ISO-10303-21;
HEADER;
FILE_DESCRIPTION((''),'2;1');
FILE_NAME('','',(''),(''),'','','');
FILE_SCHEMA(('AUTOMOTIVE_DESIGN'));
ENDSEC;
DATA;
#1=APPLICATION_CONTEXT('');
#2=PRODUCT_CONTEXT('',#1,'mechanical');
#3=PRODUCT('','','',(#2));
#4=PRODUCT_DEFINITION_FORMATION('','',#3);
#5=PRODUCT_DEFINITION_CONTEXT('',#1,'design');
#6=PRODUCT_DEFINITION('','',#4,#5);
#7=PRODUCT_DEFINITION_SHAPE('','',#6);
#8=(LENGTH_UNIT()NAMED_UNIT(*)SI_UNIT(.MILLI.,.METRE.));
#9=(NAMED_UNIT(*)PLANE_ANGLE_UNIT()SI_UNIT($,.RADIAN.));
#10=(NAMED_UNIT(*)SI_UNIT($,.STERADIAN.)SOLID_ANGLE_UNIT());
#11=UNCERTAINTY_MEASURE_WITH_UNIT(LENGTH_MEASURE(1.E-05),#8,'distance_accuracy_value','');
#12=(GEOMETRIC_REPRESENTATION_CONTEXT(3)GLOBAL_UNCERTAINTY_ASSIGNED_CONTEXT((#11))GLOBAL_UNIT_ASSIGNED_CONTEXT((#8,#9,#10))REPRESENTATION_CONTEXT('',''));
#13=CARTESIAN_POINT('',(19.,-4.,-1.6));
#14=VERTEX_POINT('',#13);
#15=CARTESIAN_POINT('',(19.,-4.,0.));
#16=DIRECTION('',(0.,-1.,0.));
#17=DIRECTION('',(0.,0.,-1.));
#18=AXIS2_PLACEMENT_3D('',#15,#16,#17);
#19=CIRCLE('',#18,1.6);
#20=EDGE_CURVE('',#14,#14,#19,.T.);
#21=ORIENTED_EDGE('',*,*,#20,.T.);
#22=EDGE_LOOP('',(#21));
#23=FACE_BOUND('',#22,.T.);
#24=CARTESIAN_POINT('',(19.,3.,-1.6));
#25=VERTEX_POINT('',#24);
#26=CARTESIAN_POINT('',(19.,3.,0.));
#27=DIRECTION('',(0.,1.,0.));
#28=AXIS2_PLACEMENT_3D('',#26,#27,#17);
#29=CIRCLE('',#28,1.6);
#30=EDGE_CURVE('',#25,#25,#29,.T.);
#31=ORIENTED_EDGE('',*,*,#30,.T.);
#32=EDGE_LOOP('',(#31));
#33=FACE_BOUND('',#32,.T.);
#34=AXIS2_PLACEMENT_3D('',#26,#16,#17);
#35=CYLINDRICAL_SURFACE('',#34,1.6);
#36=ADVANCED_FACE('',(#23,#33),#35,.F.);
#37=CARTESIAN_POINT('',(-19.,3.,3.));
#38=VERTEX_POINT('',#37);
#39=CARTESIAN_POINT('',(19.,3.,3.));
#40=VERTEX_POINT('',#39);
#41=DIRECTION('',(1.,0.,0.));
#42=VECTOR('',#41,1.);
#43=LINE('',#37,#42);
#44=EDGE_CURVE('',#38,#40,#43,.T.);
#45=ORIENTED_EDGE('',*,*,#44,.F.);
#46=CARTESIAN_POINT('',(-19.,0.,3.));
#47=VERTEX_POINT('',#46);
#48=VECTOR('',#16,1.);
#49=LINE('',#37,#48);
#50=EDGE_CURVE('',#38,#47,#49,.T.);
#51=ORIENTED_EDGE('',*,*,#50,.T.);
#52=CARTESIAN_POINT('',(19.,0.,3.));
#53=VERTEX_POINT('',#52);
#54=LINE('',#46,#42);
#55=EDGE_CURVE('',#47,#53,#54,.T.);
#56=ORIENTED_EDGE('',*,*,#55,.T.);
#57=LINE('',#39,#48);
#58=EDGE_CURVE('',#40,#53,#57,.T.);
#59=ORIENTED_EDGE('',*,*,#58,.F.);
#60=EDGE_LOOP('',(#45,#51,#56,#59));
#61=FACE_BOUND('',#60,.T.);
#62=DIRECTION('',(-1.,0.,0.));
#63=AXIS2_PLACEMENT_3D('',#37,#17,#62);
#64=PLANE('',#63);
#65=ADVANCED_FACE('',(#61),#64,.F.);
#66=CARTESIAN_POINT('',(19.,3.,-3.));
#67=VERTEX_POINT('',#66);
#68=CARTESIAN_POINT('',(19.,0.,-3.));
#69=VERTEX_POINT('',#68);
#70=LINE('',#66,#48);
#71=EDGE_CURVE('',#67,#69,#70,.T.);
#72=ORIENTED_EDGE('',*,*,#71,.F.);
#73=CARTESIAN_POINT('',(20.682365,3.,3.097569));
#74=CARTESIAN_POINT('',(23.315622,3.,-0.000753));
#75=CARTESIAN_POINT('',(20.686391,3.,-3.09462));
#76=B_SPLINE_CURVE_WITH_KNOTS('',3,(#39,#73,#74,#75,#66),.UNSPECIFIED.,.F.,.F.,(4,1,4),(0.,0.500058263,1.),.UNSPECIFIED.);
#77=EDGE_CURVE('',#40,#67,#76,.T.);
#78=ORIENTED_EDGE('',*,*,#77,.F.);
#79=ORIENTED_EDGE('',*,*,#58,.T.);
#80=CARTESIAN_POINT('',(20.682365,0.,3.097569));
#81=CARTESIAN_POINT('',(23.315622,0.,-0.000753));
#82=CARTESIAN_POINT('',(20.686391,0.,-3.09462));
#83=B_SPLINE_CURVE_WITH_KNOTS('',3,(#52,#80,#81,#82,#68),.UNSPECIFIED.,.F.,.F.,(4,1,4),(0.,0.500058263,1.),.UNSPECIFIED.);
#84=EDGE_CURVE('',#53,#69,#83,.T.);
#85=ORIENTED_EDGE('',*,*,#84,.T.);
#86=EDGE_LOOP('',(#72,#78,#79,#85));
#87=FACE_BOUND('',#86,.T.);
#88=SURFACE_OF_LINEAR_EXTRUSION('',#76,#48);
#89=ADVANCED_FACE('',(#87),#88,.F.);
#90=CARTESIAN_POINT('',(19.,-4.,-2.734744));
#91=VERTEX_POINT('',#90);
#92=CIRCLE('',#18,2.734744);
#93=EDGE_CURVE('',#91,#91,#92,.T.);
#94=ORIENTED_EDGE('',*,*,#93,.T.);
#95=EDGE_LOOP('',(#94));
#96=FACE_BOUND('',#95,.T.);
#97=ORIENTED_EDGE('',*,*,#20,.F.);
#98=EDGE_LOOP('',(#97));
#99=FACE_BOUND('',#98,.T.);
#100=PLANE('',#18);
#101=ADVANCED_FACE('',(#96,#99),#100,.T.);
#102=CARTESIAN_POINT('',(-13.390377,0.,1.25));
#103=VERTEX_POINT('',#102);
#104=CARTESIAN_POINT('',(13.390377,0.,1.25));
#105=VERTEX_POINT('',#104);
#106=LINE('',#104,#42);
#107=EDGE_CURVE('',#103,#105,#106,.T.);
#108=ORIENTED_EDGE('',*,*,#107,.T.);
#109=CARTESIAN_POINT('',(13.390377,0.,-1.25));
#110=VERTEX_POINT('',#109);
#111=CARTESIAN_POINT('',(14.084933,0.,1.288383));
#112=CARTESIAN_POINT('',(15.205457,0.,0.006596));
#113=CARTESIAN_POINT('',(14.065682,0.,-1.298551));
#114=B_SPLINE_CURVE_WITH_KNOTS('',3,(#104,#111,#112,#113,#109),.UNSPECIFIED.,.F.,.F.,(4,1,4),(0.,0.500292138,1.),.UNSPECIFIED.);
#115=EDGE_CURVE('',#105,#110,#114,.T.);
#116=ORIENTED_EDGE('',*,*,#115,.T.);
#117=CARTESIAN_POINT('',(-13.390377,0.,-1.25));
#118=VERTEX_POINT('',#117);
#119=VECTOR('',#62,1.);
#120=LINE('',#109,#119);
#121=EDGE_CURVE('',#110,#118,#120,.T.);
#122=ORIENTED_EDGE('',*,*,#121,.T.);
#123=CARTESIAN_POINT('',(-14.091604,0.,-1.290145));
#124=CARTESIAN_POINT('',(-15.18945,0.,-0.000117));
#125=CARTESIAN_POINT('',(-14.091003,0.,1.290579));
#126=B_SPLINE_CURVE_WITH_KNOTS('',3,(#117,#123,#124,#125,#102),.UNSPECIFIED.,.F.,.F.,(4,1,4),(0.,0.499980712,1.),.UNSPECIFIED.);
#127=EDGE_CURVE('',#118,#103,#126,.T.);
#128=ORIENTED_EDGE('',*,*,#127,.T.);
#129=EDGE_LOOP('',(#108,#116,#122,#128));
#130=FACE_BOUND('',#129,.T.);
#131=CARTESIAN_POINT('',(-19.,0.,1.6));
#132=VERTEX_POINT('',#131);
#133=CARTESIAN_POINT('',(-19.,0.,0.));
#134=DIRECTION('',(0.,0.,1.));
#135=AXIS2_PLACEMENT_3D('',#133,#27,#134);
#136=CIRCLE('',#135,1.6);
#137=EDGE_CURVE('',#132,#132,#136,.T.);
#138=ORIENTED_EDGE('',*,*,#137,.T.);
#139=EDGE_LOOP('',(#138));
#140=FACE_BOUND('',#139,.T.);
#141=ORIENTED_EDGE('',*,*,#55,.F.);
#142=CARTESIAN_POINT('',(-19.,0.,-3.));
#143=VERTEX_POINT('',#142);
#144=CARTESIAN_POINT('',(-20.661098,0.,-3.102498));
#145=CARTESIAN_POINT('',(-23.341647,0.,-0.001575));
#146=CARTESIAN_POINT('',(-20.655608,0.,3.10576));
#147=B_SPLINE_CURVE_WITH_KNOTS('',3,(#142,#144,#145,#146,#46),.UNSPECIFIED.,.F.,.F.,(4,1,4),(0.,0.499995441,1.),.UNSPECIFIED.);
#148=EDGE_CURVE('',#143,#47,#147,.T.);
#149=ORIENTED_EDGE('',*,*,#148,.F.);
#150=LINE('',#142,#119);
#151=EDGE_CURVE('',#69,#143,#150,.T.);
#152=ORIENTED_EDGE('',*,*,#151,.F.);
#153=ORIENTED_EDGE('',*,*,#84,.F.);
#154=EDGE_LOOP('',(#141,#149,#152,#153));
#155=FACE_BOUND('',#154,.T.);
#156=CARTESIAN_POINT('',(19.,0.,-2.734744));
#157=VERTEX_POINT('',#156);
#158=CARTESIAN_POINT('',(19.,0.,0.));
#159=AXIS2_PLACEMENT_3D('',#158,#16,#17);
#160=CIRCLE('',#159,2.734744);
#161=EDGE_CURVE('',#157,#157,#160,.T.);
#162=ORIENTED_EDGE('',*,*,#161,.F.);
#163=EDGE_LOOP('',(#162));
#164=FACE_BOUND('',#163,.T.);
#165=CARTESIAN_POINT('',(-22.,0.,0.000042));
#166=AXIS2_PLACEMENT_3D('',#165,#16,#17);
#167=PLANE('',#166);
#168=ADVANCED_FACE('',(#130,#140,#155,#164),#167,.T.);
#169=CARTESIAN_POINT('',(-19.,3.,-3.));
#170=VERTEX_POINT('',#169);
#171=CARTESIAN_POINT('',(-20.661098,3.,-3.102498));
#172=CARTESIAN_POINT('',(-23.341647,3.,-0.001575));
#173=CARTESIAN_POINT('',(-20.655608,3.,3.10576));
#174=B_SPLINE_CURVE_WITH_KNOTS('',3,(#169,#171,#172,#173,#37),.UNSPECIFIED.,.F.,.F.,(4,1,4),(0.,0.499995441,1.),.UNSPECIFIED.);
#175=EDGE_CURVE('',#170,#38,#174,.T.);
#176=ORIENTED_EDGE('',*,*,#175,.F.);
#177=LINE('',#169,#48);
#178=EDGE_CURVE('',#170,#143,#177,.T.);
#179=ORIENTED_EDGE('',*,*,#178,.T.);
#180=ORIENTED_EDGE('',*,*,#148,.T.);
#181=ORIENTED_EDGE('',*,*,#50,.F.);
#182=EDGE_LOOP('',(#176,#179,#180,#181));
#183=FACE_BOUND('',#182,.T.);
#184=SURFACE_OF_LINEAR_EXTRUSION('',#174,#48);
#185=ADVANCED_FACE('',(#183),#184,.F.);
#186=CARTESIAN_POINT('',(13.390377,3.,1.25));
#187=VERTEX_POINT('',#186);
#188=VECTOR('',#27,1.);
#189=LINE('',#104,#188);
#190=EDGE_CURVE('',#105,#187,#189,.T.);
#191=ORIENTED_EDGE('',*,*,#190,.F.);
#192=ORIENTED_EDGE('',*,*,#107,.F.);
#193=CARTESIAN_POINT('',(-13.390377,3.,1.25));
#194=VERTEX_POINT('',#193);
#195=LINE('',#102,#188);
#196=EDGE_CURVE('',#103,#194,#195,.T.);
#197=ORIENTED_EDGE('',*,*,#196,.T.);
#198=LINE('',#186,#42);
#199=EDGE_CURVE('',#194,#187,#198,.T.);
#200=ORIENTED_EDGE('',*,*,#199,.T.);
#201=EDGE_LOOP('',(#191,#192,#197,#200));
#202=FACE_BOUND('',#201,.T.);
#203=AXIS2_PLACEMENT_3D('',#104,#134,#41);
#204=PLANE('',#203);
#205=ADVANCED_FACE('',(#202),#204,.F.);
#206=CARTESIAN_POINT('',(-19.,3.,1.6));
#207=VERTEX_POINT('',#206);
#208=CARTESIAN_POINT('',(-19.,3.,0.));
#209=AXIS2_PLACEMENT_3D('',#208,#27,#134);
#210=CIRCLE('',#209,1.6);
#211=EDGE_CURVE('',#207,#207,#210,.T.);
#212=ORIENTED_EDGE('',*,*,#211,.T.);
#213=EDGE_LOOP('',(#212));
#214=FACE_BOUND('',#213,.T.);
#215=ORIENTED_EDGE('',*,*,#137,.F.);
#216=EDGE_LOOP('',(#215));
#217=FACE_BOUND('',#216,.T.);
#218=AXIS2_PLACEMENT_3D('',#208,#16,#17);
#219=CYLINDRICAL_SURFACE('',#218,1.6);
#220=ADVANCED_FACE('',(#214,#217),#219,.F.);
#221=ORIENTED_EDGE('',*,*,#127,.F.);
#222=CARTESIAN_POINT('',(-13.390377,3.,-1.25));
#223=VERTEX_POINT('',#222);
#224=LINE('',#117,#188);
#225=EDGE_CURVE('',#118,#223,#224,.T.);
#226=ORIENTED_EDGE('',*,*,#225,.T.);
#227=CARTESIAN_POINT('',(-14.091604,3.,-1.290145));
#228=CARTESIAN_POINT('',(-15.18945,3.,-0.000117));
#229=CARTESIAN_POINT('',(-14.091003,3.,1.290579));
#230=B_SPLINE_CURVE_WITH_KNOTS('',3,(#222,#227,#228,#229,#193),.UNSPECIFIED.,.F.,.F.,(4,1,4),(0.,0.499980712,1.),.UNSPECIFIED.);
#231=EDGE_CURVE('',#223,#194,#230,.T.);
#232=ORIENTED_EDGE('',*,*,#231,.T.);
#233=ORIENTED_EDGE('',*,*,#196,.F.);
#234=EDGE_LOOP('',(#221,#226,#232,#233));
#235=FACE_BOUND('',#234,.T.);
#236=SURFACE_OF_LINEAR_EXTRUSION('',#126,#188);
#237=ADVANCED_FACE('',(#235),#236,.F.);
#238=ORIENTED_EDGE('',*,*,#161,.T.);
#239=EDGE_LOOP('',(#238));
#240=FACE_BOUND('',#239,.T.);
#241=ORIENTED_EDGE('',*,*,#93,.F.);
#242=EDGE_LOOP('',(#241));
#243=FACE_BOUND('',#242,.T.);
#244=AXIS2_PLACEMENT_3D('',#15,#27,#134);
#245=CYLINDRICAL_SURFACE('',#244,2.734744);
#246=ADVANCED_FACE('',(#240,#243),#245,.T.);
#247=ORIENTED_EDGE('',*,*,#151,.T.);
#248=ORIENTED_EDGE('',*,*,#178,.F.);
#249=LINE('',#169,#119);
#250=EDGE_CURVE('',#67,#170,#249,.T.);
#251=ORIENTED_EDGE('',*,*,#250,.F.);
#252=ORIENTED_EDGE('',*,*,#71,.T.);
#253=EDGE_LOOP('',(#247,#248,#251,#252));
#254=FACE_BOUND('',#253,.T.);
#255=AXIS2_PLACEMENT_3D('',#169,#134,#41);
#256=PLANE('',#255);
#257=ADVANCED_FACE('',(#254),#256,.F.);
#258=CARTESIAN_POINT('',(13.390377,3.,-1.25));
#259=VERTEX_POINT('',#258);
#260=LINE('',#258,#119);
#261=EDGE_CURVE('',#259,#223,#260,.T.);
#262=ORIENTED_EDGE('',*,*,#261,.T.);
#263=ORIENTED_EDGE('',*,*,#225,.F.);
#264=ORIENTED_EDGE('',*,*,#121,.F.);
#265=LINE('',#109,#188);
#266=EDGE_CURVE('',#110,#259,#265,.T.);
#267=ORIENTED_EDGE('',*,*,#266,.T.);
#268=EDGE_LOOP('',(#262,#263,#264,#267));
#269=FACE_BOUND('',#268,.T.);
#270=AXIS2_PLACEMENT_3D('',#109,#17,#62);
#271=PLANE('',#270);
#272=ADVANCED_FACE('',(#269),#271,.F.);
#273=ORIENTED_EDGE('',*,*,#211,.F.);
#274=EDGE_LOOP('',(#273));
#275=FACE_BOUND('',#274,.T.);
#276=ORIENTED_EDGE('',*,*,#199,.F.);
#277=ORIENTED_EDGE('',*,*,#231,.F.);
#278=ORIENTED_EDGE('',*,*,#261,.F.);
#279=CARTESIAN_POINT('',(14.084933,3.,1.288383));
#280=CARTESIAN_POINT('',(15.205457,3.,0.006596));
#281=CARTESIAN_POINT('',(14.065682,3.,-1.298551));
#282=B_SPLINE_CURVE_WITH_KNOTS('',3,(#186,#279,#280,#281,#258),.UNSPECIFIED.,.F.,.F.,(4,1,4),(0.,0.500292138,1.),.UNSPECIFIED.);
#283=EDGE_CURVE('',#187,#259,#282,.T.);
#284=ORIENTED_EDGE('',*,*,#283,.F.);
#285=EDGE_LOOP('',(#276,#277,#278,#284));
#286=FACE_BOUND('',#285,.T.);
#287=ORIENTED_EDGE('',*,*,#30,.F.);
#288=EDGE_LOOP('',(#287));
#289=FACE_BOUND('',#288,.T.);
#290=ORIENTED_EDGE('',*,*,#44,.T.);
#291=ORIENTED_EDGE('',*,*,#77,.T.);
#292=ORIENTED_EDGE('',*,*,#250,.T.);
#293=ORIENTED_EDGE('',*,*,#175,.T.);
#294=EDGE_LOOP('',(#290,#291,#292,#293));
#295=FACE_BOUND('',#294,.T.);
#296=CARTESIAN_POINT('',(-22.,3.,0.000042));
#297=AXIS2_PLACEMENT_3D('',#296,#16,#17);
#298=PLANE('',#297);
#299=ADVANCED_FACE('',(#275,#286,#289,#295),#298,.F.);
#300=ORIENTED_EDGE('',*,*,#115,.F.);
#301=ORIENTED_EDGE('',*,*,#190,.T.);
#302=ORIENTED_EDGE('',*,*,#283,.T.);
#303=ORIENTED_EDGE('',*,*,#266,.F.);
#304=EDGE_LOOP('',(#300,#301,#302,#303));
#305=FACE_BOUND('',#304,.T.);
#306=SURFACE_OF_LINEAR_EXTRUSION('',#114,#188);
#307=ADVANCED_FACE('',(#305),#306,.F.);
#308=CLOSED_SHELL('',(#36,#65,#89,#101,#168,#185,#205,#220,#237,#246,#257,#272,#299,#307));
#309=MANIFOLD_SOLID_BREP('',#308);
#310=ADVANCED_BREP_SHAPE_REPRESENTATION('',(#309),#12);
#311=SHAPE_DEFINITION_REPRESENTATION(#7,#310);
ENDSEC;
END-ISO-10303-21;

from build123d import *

# Parameters (mm, degrees)
ESQUISSE1_R             = 1.6
BOSS_EXTRU_1_DEPTH      = 3
BOSS_EXTRU_2_START      = 4
ESQUISSE2_R             = 2.734743529
ESQUISSE2_R_2           = 1.6
BOSS_EXTRU_2_DEPTH      = 4
ENL_V_MAT_EXTRU_1_DEPTH = 3


with BuildPart() as part:
    # Esquisse1 → Boss.-Extru.1 (new body)
    with BuildSketch(Plane(origin=(0, 0, 0), x_dir=(1, 0, 0), z_dir=(0, 1, 0))):
        with BuildLine():
            Line((-19, 3), (19, 3))
            add(Edge.make_bspline(
                [(19, 3), (20.68639149, 3.094620003), (23.315621509, 0.000753175), (20.682364624, -3.097569459), (19, -3)],
                knots=[0, 0, 0, 0, 0.499941737, 1, 1, 1, 1], degree=3))
            Line((19, -3), (-19, -3))
            add(Edge.make_bspline(
                [(-19, 3), (-20.661097815, 3.102497637), (-23.341647105, 0.00157467), (-20.655607875, -3.105760191), (-19, -3)],
                knots=[0, 0, 0, 0, 0.499995441, 1, 1, 1, 1], degree=3))
        make_face()
        with Locations(Location((-19, 0, 0), (0, 0, 270))):
            Circle(ESQUISSE1_R, mode=Mode.SUBTRACT)
        with Locations(Location((19, 0, 0), (0, 0, 90))):
            Circle(ESQUISSE1_R, mode=Mode.SUBTRACT)
    extrude(amount=BOSS_EXTRU_1_DEPTH)

    # Esquisse2 → Boss.-Extru.2 (add)
    with BuildSketch(Plane.XZ.offset(BOSS_EXTRU_2_START)):
        with Locations(Location((19, 0, 0), (0, 0, 270))):
            Circle(ESQUISSE2_R)
        with Locations(Location((19, 0, 0), (0, 0, 270))):
            Circle(ESQUISSE2_R_2, mode=Mode.SUBTRACT)
    extrude(amount=-BOSS_EXTRU_2_DEPTH)

    # Esquisse3 → Enlèv. mat.-Extru.1 (cut)
    with BuildSketch(Plane(origin=(0, 3, 0), x_dir=(1, 0, 0), z_dir=(0, 1, 0))):
        with BuildLine():
            Line((13.390376778, -1.25), (-13.390376778, -1.25))
            add(Edge.make_bspline(
                [(-13.390376778, -1.25), (-14.091002552, -1.290578927), (-15.1894504, 0.000117245), (-14.091603718, 1.290145329), (-13.390376778, 1.25)],
                knots=[0, 0, 0, 0, 0.500019288, 1, 1, 1, 1], degree=3))
            Line((-13.390376778, 1.25), (13.390376778, 1.25))
            add(Edge.make_bspline(
                [(13.390376778, -1.25), (14.084933338, -1.288382663), (15.205457343, -0.00659589), (14.065682357, 1.298551464), (13.390376778, 1.25)],
                knots=[0, 0, 0, 0, 0.500292138, 1, 1, 1, 1], degree=3))
        make_face()
    extrude(amount=-ENL_V_MAT_EXTRU_1_DEPTH, mode=Mode.SUBTRACT)


solid = part.part
